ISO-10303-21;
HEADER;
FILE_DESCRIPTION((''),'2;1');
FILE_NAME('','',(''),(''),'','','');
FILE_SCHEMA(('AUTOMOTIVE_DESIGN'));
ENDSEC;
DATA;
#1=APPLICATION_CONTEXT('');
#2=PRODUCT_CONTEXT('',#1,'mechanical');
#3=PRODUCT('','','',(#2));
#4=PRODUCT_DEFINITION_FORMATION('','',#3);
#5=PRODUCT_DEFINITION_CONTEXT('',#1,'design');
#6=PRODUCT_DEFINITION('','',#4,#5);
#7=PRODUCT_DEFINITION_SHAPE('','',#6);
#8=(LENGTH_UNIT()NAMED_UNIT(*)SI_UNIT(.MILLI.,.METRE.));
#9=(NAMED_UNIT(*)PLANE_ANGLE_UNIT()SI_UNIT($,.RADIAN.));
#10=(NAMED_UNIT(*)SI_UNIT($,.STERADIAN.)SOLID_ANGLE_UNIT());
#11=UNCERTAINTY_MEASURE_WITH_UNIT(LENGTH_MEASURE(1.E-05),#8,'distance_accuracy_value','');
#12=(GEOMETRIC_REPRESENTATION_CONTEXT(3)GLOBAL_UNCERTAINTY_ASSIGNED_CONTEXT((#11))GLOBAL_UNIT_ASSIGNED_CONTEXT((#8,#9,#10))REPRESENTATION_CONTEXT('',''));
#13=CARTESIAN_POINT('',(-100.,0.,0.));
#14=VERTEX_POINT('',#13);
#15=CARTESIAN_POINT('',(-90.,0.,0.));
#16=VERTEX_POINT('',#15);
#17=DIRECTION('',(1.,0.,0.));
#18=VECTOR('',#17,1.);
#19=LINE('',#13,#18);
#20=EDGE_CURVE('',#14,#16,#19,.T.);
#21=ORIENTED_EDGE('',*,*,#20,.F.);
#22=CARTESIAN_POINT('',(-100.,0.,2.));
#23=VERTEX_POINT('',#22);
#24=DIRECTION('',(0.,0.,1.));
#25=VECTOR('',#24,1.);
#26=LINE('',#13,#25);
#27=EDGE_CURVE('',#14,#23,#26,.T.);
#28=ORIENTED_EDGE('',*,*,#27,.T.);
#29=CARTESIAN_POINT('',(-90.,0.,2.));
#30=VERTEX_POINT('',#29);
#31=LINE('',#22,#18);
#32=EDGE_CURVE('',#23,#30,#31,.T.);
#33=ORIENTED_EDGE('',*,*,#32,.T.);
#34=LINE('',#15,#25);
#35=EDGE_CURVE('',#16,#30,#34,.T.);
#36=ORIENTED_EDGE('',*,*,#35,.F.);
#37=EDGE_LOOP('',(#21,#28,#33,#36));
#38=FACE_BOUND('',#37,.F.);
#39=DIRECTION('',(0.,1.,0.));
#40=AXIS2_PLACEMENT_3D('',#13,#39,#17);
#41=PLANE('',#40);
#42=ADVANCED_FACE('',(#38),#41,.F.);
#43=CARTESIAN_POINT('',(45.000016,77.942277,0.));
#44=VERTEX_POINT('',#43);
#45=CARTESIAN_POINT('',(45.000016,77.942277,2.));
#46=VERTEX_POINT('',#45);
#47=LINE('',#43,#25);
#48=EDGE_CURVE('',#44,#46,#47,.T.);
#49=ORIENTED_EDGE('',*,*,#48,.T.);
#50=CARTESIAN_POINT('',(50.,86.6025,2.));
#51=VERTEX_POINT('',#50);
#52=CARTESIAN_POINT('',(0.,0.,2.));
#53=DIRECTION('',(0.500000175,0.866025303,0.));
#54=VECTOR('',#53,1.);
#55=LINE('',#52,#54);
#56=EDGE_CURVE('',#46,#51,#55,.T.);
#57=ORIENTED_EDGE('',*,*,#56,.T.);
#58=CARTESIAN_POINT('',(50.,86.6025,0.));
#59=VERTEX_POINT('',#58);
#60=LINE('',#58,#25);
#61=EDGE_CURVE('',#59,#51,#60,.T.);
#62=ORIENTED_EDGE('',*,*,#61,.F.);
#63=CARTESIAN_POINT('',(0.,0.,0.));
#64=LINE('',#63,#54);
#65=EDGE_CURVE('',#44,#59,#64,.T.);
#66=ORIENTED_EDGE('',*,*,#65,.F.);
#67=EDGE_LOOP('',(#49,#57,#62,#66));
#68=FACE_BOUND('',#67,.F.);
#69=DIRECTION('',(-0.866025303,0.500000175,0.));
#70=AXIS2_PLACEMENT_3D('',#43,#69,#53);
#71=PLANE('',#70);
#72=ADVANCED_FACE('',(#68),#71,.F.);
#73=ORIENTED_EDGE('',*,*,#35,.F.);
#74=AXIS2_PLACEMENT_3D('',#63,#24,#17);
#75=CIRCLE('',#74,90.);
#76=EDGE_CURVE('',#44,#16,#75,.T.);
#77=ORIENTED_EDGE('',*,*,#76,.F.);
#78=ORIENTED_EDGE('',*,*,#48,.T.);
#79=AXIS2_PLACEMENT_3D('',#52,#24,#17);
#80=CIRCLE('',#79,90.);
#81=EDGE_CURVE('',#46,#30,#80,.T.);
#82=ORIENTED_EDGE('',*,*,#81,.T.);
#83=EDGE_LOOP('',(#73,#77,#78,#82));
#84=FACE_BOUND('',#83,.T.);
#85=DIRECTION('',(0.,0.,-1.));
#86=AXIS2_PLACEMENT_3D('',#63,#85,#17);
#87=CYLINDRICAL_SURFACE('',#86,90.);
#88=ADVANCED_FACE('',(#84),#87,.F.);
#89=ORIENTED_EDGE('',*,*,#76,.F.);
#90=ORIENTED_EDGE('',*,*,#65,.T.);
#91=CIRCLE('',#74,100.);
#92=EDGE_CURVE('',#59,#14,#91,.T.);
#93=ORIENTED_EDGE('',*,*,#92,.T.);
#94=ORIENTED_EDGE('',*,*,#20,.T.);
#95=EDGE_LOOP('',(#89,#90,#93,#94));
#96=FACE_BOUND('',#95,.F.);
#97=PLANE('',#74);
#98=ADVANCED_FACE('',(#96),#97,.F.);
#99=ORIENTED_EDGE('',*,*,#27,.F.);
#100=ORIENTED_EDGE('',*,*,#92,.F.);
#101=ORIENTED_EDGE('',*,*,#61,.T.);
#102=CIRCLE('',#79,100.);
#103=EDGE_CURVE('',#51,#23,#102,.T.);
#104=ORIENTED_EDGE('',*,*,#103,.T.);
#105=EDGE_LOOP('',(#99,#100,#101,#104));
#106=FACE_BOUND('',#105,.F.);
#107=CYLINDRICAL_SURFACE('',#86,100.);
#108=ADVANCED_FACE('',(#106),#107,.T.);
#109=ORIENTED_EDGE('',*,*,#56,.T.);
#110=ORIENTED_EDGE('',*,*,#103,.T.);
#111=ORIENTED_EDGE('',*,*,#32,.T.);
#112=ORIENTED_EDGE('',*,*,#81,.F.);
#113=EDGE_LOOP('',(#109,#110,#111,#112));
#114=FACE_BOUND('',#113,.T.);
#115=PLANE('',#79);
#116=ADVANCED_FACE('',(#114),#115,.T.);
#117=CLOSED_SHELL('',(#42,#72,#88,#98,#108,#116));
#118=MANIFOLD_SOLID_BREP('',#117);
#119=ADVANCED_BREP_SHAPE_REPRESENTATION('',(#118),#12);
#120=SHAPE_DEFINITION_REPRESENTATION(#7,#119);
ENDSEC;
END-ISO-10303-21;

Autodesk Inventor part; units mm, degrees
ref_plane "YZ Plane" through (0, 0, 0) normal (1, 0, 0) x (0, 1, 0)
ref_plane "XZ Plane" through (0, 0, 0) normal (0, 1, 0) x (-1, 0, 0)
ref_plane "XY Plane" through (0, 0, 0) normal (0, 0, 1) x (1, 0, 0)
sketch "Sketch1" plane through (0, 0, 0) normal (0, 0, 1) x (1, 0, 0)
  circle A0 centre (0, 0) radius 100
  circle A1 centre (0, 0) radius 90
  line L0 (-100, 0) -> (0, 0)
  line L1 (0, 0) -> (50, 86.6025)
  point P0 (45, 77.9423)
  point P1 (-90, 0)
  dimension "d0" = 200
  dimension "d1" = 10
  dimension "d2" = 120
extrude "Plate1" add sketch "Sketch1" along normal blind 2 contours L1 A1 L0 A0 picked at (-96.3423, 4.6391)
equation "\"d0\" = Внешний_диам_тарелки"
equation "\"d3\" = Thickness"
equation "\"BendRadius\" = Thickness"
equation "\"BendReliefWidth\" = Thickness"
equation "\"BendReliefDepth\" = 0.5 * Thickness"
equation "\"CornerReliefSize\" = 4 * Thickness"
equation "\"MinimumRemnant\" = 2 * Thickness"
equation "\"TransitionRadius\" = BendRadius"
equation "\"JacobiRadiusSize\" = BendRadius"
equation "\"GapSize\" = Thickness"
equation "\"Внешний_диам_тарелки\" = 200"
equation "\"Thickness\" = 2"
properties part number "треть-кольцо"
